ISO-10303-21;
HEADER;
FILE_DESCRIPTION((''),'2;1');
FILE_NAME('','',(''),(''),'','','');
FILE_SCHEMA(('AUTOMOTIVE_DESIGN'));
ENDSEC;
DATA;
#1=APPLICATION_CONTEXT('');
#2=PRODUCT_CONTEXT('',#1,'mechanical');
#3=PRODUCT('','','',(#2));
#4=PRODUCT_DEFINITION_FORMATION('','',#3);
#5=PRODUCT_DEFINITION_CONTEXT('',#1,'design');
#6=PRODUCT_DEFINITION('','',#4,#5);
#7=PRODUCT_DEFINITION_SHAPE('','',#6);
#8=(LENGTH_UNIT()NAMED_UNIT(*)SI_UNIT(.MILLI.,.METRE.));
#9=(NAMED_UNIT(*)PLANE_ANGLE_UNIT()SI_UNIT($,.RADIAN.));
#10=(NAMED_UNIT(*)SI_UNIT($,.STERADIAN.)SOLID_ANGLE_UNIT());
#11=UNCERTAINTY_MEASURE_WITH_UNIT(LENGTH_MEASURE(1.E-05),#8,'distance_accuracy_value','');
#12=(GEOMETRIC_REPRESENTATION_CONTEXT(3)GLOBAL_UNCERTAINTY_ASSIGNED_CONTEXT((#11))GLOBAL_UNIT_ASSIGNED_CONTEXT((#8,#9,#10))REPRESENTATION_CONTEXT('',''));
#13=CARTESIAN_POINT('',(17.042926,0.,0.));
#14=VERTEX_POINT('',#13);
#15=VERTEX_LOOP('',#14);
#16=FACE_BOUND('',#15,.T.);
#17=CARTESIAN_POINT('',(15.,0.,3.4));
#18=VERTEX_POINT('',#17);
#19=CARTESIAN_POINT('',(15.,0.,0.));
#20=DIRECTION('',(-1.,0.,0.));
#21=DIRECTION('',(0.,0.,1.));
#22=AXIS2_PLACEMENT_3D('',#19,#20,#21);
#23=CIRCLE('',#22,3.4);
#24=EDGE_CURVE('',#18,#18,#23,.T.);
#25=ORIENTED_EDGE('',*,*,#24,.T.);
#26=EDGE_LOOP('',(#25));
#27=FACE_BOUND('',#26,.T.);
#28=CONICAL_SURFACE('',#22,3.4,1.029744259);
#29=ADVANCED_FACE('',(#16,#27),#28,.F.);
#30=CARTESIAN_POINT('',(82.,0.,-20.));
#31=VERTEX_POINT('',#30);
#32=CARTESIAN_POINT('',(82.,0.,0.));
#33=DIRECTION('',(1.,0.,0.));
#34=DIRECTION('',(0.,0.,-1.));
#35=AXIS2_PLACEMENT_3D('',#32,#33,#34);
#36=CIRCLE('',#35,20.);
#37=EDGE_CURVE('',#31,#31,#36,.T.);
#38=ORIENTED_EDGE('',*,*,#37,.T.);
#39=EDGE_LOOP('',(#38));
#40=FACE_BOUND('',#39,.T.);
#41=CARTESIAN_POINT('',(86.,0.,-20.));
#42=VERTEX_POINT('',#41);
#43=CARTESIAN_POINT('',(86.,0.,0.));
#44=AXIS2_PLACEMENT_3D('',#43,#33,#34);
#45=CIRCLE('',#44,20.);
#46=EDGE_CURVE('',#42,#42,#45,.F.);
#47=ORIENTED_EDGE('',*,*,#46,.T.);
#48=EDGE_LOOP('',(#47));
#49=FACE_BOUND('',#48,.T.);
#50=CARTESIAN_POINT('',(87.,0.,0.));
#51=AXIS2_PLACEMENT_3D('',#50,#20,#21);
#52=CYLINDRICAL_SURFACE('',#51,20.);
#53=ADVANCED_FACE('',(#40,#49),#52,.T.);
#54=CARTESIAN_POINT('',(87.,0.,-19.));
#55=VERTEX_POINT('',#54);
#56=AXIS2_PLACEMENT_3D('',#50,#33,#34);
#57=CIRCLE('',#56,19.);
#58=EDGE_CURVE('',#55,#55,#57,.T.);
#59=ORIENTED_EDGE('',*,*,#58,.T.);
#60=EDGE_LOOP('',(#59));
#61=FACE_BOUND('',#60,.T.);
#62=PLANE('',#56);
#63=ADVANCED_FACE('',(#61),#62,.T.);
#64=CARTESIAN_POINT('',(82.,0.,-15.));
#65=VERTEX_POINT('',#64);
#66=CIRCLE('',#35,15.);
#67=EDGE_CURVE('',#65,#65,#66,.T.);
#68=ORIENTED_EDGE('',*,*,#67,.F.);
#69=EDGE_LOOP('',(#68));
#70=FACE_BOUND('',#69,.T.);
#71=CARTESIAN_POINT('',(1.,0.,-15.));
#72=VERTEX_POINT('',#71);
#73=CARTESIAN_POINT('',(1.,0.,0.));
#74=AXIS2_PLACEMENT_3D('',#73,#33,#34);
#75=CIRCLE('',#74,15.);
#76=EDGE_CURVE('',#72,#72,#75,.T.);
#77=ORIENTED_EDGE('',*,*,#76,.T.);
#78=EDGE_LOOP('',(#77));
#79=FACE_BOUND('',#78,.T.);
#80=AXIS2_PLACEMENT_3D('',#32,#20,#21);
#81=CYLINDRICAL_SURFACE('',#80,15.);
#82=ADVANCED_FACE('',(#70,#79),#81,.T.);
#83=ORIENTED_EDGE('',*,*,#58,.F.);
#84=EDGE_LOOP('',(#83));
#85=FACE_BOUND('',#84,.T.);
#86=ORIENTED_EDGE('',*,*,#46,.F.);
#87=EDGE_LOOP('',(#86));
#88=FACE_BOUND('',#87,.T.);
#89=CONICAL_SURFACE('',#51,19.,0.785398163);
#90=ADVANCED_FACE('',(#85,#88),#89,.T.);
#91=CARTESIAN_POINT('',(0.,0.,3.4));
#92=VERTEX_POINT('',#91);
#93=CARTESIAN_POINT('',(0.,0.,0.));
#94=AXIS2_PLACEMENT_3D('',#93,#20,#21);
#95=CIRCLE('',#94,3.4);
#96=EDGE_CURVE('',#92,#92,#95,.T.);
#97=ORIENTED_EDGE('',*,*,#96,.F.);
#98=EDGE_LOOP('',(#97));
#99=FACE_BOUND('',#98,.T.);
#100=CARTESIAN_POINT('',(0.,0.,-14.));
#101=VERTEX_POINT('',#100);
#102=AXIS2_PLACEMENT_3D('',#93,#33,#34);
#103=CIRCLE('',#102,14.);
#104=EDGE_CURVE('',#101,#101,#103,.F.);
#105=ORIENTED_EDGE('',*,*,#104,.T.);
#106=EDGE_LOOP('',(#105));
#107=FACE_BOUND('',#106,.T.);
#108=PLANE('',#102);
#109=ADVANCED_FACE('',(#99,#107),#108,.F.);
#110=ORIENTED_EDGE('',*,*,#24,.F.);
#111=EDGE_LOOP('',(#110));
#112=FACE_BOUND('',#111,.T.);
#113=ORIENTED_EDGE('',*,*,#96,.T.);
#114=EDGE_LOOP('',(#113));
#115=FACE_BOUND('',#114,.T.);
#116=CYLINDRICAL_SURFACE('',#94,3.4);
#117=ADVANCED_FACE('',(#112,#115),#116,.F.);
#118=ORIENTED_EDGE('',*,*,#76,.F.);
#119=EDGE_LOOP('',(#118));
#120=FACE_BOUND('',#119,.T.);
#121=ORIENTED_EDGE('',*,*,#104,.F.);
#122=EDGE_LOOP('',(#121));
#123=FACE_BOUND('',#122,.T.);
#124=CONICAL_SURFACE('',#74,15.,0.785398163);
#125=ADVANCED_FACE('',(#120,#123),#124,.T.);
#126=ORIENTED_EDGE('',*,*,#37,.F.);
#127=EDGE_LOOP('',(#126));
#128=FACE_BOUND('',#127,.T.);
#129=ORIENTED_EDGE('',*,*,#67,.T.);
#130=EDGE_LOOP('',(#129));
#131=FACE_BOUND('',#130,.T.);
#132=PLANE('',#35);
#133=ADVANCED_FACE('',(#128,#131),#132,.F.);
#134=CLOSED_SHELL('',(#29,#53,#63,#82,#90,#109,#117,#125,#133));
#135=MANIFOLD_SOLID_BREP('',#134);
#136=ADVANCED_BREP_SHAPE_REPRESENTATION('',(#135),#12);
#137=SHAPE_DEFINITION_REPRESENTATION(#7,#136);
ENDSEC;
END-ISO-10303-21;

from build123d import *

# Parameters (mm, degrees)
SKETCH_1_R             = 15
EXTRUDE_1_DEPTH        = 82
SKETCH_2_R             = 20
EXTRUDE_2_DEPTH        = 5
CHAMFER_1_SIZE         = 1
HOLE_WIZARD_M8_1_D     = 6.8
HOLE_WIZARD_M8_1_DEPTH = 15
HOLE_WIZARD_M8_1_TIP   = 2.042926105


with BuildPart() as part:
    # 草图1 → 凸台-拉伸1 (new body)
    with BuildSketch(Plane(origin=(0, 0, 0), x_dir=(0, 0, -1), z_dir=(1, 0, 0))):
        Circle(SKETCH_1_R)
    extrude(amount=EXTRUDE_1_DEPTH)

    # 草图2 → 凸台-拉伸2 (add)
    with BuildSketch(Plane(origin=(82, 0, 0), x_dir=(0, 0, -1), z_dir=(1, 0, 0))):
        Circle(SKETCH_2_R)
    extrude(amount=EXTRUDE_2_DEPTH)

    # 倒角1
    chamfer_1_edges = [part.edges().sort_by_distance(p)[0] for p in [
        (0, 0, 15),
        (87, 0, 20),
    ]]
    chamfer(chamfer_1_edges, length=CHAMFER_1_SIZE)

    # M8 螺纹孔的螺纹孔钻头1
    with Locations(Plane(origin=(0, 0, 0), x_dir=(0, 0, -1), z_dir=(-1, 0, 0))):
        with Locations((0, 0)):
            Hole(HOLE_WIZARD_M8_1_D / 2, depth=HOLE_WIZARD_M8_1_DEPTH)
            with Locations((0, 0, -(HOLE_WIZARD_M8_1_DEPTH + HOLE_WIZARD_M8_1_TIP / 2))):  # 118° drill point
                Cone(0, HOLE_WIZARD_M8_1_D / 2, HOLE_WIZARD_M8_1_TIP, mode=Mode.SUBTRACT)


solid = part.part
